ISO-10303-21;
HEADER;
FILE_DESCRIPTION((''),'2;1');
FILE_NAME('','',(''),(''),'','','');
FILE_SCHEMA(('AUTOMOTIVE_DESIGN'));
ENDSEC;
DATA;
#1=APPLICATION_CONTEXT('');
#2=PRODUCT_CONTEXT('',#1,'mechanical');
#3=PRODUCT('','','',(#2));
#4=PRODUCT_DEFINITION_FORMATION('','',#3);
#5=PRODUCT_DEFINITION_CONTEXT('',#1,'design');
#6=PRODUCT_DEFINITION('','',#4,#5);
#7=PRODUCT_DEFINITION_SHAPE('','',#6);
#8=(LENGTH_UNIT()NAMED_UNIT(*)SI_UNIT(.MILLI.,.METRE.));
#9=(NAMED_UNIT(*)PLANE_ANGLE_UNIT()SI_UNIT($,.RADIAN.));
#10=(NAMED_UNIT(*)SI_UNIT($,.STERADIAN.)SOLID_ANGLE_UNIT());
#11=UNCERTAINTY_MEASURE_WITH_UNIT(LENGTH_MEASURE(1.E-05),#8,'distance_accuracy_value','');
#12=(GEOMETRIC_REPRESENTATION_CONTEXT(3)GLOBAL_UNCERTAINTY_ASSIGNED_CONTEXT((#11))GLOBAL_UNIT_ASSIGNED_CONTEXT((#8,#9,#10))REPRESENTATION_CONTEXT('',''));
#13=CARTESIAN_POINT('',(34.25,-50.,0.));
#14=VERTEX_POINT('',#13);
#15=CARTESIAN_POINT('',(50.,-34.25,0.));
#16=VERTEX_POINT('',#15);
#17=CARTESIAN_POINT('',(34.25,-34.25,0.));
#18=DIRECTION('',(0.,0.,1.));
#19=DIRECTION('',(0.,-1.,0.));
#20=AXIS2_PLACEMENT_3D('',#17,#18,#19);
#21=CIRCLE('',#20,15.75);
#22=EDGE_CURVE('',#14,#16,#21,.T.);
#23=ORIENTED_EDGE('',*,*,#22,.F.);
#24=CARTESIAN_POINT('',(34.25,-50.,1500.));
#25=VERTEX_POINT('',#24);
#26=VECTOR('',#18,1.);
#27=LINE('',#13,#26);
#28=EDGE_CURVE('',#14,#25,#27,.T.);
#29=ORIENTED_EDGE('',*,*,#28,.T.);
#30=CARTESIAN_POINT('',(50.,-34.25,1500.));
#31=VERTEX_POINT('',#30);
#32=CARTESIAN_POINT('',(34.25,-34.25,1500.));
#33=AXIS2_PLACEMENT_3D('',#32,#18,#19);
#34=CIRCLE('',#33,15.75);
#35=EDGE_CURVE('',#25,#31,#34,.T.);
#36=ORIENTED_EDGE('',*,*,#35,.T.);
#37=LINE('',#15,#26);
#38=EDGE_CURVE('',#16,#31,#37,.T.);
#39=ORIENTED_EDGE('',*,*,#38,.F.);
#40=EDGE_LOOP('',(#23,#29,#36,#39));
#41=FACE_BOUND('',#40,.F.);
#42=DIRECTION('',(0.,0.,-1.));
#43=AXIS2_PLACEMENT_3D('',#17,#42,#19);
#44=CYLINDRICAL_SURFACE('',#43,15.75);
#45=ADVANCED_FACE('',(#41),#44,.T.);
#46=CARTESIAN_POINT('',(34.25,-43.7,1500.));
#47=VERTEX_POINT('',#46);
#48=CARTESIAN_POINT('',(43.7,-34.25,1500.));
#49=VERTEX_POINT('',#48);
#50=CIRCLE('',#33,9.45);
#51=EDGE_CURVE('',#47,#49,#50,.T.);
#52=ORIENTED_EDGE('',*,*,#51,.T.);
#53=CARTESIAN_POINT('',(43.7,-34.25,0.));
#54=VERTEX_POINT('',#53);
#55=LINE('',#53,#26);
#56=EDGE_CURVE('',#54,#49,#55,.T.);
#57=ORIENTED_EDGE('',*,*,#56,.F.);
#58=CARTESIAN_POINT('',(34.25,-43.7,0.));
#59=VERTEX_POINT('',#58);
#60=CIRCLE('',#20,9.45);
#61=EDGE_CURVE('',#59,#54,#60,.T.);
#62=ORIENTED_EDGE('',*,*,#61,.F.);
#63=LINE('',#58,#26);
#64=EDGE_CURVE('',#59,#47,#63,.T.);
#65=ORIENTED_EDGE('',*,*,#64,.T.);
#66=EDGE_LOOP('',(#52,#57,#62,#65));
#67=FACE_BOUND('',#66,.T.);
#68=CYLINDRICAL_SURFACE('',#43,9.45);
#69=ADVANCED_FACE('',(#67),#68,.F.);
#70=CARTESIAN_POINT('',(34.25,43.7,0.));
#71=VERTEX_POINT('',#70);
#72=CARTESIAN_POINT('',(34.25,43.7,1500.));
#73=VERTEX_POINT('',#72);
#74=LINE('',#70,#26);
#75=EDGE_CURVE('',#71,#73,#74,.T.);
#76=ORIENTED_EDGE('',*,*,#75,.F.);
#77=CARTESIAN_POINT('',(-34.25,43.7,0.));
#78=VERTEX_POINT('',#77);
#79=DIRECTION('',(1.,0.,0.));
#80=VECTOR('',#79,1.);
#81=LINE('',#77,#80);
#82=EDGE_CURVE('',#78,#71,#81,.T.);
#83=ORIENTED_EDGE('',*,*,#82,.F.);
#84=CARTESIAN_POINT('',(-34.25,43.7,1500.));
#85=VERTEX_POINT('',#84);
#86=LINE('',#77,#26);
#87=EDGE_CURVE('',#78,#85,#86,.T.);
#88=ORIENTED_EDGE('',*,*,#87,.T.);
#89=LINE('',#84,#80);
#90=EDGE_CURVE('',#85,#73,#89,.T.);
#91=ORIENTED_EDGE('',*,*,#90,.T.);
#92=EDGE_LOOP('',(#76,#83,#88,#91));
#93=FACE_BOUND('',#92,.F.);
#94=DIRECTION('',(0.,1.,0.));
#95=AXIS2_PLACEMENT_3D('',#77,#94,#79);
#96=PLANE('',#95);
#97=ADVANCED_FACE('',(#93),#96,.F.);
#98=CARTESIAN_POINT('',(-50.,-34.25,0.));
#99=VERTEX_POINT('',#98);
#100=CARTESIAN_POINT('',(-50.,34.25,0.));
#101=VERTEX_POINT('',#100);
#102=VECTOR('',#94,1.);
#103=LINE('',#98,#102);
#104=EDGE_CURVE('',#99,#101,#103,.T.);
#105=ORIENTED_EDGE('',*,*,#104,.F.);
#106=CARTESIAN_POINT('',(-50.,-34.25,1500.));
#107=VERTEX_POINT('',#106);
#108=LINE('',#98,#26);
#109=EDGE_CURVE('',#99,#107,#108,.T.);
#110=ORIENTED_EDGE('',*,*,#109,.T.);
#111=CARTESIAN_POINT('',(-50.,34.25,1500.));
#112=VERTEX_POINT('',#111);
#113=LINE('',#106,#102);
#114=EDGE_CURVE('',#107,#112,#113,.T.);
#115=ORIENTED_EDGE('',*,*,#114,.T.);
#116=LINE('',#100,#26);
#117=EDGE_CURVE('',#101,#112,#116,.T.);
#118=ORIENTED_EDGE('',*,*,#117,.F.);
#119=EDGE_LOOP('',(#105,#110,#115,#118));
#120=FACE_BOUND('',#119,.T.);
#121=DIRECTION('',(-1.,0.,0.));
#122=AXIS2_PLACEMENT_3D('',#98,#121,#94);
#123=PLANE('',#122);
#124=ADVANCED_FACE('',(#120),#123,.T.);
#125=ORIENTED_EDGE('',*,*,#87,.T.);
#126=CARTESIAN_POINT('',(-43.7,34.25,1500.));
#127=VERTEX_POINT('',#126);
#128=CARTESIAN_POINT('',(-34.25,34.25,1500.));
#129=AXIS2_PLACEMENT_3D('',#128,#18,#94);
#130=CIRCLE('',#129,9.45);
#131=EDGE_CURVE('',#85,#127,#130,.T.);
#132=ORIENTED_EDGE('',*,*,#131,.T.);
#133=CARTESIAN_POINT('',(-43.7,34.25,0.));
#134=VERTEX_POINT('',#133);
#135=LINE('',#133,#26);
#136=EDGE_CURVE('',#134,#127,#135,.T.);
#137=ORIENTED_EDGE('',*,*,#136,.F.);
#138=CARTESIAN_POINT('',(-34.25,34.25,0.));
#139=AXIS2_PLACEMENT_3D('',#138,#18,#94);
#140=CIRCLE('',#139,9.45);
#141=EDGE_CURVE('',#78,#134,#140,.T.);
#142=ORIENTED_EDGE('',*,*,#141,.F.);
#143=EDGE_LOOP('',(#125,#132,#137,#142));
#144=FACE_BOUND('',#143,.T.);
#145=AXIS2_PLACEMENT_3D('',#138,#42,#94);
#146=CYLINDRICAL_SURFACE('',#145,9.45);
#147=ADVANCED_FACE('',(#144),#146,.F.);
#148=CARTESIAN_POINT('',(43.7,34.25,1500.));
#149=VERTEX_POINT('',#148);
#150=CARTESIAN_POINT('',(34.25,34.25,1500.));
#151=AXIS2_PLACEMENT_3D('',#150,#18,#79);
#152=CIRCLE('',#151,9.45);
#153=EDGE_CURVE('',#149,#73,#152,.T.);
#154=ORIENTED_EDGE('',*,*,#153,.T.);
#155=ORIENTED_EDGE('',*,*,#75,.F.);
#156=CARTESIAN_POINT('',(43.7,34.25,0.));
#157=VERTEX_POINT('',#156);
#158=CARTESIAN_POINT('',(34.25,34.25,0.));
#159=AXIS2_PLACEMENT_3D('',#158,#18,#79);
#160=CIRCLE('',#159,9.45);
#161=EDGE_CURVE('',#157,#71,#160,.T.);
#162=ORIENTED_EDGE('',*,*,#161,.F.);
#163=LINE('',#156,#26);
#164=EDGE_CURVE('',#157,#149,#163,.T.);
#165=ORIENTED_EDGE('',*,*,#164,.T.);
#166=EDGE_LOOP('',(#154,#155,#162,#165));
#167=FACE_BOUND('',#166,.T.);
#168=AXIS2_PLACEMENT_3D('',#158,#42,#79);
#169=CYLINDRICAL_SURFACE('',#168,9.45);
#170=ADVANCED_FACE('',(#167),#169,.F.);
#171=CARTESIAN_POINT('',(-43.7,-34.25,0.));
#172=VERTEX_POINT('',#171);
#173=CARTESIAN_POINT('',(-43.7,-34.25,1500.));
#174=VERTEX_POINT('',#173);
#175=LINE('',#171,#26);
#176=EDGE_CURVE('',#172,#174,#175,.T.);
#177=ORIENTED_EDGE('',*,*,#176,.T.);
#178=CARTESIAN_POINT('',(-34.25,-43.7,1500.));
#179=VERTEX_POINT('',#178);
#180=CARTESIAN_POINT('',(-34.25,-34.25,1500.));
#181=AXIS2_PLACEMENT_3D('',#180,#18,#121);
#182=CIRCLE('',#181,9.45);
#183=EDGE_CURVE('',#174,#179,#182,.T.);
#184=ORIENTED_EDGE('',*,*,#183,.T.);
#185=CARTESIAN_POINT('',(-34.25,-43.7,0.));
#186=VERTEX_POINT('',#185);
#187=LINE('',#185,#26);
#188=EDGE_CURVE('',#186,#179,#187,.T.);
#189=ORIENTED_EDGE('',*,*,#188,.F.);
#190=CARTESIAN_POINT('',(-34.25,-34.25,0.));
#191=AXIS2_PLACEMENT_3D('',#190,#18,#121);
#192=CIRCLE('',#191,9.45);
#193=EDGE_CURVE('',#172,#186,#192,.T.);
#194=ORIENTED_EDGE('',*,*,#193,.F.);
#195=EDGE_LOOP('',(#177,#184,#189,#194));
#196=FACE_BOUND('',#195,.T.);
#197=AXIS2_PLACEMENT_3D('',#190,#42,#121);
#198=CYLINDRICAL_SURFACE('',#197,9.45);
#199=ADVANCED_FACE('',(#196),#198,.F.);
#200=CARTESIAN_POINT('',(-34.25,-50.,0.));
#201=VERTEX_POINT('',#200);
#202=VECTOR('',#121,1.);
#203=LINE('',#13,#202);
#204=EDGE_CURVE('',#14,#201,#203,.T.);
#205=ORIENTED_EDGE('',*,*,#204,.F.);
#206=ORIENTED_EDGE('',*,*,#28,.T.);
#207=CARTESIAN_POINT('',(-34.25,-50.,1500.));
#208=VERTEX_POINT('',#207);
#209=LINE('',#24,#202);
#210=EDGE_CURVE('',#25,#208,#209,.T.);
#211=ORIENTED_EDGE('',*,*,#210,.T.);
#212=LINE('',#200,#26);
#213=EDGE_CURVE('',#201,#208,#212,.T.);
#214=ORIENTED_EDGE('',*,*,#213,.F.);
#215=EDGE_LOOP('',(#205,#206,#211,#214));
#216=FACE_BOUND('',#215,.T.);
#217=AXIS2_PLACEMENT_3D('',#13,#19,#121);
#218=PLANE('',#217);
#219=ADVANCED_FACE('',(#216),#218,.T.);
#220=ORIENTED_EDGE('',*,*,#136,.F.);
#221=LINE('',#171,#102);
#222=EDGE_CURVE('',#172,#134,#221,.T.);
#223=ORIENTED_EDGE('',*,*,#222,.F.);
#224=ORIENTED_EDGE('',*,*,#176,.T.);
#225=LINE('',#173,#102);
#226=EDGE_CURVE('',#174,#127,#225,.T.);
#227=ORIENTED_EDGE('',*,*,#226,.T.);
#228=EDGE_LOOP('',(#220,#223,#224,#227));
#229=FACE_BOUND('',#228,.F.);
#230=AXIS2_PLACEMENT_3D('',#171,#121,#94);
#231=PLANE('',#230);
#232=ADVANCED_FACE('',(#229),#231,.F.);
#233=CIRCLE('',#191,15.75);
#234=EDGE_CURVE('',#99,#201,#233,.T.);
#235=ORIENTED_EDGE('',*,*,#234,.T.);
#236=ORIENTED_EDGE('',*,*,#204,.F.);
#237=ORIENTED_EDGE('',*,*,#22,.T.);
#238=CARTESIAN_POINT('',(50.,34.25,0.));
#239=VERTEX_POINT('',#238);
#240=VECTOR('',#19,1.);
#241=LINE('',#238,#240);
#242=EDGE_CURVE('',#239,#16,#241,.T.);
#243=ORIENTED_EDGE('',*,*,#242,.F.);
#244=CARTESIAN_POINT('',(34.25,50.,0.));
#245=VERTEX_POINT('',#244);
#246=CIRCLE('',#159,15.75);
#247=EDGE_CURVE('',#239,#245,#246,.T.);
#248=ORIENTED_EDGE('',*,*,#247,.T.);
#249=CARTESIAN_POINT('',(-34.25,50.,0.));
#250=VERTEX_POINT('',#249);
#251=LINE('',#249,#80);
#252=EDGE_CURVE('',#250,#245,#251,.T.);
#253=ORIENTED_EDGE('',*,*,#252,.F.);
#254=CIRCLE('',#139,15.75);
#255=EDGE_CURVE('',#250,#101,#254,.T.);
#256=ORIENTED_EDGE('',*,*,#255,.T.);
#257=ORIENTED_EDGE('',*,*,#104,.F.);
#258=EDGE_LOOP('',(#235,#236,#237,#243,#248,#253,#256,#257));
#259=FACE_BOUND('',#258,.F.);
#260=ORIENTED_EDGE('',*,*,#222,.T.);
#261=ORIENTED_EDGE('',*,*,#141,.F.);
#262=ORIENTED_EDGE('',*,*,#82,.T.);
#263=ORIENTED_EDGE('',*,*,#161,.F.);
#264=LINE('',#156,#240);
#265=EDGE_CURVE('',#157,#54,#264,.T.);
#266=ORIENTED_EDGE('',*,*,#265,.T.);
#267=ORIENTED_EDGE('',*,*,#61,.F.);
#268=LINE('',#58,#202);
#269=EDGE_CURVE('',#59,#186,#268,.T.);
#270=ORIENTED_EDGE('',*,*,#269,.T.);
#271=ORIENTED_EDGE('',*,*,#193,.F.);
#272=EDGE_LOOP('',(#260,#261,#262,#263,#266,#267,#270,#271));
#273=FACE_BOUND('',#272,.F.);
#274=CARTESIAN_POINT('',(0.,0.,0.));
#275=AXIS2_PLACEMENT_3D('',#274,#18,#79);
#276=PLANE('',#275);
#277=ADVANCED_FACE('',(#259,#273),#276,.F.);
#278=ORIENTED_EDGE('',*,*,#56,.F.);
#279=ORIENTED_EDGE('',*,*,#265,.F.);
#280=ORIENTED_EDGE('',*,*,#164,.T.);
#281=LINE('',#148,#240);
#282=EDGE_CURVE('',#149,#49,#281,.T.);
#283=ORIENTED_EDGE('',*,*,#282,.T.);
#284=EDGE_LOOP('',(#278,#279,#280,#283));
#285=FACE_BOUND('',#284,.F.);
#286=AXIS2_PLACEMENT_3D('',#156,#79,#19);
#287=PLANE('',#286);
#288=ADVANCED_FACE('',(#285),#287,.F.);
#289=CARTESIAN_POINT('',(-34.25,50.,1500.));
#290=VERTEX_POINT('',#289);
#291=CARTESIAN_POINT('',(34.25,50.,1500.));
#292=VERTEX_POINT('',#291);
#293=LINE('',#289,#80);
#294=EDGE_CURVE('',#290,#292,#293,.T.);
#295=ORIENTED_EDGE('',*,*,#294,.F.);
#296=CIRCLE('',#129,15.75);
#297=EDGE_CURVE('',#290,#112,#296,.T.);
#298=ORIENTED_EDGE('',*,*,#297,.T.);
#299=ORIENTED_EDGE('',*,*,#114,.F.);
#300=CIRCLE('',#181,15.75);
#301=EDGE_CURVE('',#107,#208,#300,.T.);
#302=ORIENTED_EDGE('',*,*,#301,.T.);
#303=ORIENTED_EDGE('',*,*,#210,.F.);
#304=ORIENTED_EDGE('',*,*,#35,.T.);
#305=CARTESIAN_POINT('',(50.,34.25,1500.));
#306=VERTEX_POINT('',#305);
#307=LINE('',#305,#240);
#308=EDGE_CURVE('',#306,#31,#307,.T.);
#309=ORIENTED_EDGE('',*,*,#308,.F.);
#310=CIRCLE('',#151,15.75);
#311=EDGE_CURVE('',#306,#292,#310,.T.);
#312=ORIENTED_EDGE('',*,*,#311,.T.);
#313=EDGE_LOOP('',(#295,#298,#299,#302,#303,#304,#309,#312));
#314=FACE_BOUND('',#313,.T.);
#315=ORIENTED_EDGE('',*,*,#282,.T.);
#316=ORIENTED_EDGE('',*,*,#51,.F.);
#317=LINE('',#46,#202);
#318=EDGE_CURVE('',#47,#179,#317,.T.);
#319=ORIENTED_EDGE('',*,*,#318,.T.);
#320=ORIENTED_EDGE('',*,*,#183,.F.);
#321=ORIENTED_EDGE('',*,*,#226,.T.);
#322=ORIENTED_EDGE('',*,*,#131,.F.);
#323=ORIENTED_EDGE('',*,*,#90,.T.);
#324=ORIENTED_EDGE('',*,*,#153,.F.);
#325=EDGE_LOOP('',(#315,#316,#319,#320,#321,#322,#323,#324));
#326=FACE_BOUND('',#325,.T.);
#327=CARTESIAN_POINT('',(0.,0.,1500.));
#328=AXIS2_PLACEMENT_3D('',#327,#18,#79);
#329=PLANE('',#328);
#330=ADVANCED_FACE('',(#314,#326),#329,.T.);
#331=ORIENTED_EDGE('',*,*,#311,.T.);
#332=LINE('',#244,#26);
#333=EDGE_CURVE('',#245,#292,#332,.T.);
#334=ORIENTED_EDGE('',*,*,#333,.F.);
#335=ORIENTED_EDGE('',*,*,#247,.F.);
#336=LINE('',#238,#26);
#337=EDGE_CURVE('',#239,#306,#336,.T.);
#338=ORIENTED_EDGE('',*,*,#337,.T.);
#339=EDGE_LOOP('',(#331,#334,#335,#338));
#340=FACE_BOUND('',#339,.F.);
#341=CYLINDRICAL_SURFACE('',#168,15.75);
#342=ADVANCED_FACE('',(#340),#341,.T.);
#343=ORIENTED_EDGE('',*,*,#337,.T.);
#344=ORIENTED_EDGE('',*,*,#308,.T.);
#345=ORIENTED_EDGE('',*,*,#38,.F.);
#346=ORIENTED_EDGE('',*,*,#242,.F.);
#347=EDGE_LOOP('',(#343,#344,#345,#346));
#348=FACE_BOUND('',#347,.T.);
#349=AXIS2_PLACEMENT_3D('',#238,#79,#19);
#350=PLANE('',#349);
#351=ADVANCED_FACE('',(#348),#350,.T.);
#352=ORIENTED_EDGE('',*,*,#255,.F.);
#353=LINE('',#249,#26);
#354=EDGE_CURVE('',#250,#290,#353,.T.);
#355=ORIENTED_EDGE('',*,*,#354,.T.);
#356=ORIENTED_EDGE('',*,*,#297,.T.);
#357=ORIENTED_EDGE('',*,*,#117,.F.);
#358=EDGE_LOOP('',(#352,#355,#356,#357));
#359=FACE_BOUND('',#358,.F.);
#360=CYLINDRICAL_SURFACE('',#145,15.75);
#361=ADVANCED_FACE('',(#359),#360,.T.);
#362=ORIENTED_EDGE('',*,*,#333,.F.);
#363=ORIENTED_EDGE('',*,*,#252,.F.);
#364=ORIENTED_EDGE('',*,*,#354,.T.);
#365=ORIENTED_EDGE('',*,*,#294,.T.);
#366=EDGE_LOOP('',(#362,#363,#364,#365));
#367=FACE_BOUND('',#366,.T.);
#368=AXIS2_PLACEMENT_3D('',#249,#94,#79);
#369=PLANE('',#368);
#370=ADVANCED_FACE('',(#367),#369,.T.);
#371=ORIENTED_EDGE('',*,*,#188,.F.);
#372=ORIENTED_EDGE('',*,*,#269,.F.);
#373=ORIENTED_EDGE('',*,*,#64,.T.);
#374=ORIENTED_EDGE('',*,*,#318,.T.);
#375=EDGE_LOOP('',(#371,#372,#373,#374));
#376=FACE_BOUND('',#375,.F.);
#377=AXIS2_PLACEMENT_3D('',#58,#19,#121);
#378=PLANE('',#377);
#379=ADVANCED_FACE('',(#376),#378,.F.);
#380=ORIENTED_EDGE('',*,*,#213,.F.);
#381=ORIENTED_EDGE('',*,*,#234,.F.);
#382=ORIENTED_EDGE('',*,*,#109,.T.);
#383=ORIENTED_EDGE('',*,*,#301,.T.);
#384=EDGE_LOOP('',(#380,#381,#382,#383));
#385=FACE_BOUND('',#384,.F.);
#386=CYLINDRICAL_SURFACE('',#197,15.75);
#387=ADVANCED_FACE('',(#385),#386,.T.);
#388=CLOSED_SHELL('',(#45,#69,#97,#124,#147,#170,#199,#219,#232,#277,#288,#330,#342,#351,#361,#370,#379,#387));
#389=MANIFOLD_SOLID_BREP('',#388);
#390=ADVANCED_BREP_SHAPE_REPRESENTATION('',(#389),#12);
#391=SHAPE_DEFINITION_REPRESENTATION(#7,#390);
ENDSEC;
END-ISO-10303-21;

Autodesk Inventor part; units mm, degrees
ref_plane "YZ Plane" through (0, 0, 0) normal (1, 0, 0) x (0, 1, 0)
ref_plane "Start Plane" through (0, 0, 0) normal (0, 0, 1) x (1, 0, 0)
ref_plane "End Plane" through (0, 0, 1500) normal (0, 0, 1) x (1, 0, 0)
sketch "Sketch" plane through (0, 0, 0) normal (0, 0, 1) x (1, 0, 0)
  line L0 (-50, -34.25) -> (-50, 34.25)
  line L1 (-34.25, 50) -> (34.25, 50)
  line L2 (50, 34.25) -> (50, -34.25)
  line L3 (34.25, -50) -> (-34.25, -50)
  arc A0 (-50, -34.25) -> (-34.25, -50) centre (-34.25, -34.25) ccw
  arc A1 (50, 34.25) -> (34.25, 50) centre (34.25, 34.25) ccw
  arc A2 (-34.25, 50) -> (-50, 34.25) centre (-34.25, 34.25) ccw
  arc A3 (34.25, -50) -> (50, -34.25) centre (34.25, -34.25) ccw
  arc A4 (-34.25, 43.7) -> (-43.7, 34.25) centre (-34.25, 34.25) ccw
  line L4 (-34.25, 43.7) -> (34.25, 43.7)
  arc A5 (43.7, 34.25) -> (34.25, 43.7) centre (34.25, 34.25) ccw
  line L5 (43.7, 34.25) -> (43.7, -34.25)
  arc A6 (34.25, -43.7) -> (43.7, -34.25) centre (34.25, -34.25) ccw
  line L6 (34.25, -43.7) -> (-34.25, -43.7)
  arc A7 (-43.7, -34.25) -> (-34.25, -43.7) centre (-34.25, -34.25) ccw
  line L7 (-43.7, -34.25) -> (-43.7, 34.25)
  line L8 (0, 74.5667) -> (0, -74.5667) construction
  line L9 (-74.5667, 0) -> (74.5667, 0) construction
  dimension "d7" = 15.75
  dimension "d9" = 100
  dimension "d11" = 100
  dimension "d12" = 6.3
  dimension "d15" = 50
  dimension "d16" = 50
extrude "Body" add sketch "Sketch" along normal up to surface (1500 mm away) from surface at 0
sketch "Sketch3" plane through (0, 0, 0) normal (0, 0, 1) x (1, 0, 0)
  line L0 (0, 0) -> (10, 0)
ref_plane "Work Plane3" through (0, 0, 0) normal (0, -1, 0) x (1, 0, 0)
sketch "Sketch4" plane through (0, 0, 0) normal (0, -1, 0) x (1, 0, 0)
  line L0 (-2, 0) -> (12, 0)
  line L1 (-2, 1500) -> (12, 1500)
  dimension "d18" = 1500
equation "\"d7\" = G_IR"
equation "\"d9\" = G_W"
equation "\"d11\" = G_H"
equation "\"d12\" = G_T"
equation "\"d15\" = 0.5 * d9"
equation "\"d16\" = 0.5 * d11"
equation "\"d3\" = G_L"
equation "\"G_W\" = 100"
equation "\"G_H\" = 100"
equation "\"G_T\" = 6.3"
equation "\"G_IR\" = 15.75"
equation "\"G_L\" = d18"
equation "\"G_OFFSET_START\" = 0"
equation "\"G_OFFSET_END\" = 0"
equation "\"d14\" = G_OFFSET_END + B_L"
equation "\"B_L\" = 1500"
properties part number "ISO 4019 - 100x100x6.3 - 1500" material "Steel, Mild"
